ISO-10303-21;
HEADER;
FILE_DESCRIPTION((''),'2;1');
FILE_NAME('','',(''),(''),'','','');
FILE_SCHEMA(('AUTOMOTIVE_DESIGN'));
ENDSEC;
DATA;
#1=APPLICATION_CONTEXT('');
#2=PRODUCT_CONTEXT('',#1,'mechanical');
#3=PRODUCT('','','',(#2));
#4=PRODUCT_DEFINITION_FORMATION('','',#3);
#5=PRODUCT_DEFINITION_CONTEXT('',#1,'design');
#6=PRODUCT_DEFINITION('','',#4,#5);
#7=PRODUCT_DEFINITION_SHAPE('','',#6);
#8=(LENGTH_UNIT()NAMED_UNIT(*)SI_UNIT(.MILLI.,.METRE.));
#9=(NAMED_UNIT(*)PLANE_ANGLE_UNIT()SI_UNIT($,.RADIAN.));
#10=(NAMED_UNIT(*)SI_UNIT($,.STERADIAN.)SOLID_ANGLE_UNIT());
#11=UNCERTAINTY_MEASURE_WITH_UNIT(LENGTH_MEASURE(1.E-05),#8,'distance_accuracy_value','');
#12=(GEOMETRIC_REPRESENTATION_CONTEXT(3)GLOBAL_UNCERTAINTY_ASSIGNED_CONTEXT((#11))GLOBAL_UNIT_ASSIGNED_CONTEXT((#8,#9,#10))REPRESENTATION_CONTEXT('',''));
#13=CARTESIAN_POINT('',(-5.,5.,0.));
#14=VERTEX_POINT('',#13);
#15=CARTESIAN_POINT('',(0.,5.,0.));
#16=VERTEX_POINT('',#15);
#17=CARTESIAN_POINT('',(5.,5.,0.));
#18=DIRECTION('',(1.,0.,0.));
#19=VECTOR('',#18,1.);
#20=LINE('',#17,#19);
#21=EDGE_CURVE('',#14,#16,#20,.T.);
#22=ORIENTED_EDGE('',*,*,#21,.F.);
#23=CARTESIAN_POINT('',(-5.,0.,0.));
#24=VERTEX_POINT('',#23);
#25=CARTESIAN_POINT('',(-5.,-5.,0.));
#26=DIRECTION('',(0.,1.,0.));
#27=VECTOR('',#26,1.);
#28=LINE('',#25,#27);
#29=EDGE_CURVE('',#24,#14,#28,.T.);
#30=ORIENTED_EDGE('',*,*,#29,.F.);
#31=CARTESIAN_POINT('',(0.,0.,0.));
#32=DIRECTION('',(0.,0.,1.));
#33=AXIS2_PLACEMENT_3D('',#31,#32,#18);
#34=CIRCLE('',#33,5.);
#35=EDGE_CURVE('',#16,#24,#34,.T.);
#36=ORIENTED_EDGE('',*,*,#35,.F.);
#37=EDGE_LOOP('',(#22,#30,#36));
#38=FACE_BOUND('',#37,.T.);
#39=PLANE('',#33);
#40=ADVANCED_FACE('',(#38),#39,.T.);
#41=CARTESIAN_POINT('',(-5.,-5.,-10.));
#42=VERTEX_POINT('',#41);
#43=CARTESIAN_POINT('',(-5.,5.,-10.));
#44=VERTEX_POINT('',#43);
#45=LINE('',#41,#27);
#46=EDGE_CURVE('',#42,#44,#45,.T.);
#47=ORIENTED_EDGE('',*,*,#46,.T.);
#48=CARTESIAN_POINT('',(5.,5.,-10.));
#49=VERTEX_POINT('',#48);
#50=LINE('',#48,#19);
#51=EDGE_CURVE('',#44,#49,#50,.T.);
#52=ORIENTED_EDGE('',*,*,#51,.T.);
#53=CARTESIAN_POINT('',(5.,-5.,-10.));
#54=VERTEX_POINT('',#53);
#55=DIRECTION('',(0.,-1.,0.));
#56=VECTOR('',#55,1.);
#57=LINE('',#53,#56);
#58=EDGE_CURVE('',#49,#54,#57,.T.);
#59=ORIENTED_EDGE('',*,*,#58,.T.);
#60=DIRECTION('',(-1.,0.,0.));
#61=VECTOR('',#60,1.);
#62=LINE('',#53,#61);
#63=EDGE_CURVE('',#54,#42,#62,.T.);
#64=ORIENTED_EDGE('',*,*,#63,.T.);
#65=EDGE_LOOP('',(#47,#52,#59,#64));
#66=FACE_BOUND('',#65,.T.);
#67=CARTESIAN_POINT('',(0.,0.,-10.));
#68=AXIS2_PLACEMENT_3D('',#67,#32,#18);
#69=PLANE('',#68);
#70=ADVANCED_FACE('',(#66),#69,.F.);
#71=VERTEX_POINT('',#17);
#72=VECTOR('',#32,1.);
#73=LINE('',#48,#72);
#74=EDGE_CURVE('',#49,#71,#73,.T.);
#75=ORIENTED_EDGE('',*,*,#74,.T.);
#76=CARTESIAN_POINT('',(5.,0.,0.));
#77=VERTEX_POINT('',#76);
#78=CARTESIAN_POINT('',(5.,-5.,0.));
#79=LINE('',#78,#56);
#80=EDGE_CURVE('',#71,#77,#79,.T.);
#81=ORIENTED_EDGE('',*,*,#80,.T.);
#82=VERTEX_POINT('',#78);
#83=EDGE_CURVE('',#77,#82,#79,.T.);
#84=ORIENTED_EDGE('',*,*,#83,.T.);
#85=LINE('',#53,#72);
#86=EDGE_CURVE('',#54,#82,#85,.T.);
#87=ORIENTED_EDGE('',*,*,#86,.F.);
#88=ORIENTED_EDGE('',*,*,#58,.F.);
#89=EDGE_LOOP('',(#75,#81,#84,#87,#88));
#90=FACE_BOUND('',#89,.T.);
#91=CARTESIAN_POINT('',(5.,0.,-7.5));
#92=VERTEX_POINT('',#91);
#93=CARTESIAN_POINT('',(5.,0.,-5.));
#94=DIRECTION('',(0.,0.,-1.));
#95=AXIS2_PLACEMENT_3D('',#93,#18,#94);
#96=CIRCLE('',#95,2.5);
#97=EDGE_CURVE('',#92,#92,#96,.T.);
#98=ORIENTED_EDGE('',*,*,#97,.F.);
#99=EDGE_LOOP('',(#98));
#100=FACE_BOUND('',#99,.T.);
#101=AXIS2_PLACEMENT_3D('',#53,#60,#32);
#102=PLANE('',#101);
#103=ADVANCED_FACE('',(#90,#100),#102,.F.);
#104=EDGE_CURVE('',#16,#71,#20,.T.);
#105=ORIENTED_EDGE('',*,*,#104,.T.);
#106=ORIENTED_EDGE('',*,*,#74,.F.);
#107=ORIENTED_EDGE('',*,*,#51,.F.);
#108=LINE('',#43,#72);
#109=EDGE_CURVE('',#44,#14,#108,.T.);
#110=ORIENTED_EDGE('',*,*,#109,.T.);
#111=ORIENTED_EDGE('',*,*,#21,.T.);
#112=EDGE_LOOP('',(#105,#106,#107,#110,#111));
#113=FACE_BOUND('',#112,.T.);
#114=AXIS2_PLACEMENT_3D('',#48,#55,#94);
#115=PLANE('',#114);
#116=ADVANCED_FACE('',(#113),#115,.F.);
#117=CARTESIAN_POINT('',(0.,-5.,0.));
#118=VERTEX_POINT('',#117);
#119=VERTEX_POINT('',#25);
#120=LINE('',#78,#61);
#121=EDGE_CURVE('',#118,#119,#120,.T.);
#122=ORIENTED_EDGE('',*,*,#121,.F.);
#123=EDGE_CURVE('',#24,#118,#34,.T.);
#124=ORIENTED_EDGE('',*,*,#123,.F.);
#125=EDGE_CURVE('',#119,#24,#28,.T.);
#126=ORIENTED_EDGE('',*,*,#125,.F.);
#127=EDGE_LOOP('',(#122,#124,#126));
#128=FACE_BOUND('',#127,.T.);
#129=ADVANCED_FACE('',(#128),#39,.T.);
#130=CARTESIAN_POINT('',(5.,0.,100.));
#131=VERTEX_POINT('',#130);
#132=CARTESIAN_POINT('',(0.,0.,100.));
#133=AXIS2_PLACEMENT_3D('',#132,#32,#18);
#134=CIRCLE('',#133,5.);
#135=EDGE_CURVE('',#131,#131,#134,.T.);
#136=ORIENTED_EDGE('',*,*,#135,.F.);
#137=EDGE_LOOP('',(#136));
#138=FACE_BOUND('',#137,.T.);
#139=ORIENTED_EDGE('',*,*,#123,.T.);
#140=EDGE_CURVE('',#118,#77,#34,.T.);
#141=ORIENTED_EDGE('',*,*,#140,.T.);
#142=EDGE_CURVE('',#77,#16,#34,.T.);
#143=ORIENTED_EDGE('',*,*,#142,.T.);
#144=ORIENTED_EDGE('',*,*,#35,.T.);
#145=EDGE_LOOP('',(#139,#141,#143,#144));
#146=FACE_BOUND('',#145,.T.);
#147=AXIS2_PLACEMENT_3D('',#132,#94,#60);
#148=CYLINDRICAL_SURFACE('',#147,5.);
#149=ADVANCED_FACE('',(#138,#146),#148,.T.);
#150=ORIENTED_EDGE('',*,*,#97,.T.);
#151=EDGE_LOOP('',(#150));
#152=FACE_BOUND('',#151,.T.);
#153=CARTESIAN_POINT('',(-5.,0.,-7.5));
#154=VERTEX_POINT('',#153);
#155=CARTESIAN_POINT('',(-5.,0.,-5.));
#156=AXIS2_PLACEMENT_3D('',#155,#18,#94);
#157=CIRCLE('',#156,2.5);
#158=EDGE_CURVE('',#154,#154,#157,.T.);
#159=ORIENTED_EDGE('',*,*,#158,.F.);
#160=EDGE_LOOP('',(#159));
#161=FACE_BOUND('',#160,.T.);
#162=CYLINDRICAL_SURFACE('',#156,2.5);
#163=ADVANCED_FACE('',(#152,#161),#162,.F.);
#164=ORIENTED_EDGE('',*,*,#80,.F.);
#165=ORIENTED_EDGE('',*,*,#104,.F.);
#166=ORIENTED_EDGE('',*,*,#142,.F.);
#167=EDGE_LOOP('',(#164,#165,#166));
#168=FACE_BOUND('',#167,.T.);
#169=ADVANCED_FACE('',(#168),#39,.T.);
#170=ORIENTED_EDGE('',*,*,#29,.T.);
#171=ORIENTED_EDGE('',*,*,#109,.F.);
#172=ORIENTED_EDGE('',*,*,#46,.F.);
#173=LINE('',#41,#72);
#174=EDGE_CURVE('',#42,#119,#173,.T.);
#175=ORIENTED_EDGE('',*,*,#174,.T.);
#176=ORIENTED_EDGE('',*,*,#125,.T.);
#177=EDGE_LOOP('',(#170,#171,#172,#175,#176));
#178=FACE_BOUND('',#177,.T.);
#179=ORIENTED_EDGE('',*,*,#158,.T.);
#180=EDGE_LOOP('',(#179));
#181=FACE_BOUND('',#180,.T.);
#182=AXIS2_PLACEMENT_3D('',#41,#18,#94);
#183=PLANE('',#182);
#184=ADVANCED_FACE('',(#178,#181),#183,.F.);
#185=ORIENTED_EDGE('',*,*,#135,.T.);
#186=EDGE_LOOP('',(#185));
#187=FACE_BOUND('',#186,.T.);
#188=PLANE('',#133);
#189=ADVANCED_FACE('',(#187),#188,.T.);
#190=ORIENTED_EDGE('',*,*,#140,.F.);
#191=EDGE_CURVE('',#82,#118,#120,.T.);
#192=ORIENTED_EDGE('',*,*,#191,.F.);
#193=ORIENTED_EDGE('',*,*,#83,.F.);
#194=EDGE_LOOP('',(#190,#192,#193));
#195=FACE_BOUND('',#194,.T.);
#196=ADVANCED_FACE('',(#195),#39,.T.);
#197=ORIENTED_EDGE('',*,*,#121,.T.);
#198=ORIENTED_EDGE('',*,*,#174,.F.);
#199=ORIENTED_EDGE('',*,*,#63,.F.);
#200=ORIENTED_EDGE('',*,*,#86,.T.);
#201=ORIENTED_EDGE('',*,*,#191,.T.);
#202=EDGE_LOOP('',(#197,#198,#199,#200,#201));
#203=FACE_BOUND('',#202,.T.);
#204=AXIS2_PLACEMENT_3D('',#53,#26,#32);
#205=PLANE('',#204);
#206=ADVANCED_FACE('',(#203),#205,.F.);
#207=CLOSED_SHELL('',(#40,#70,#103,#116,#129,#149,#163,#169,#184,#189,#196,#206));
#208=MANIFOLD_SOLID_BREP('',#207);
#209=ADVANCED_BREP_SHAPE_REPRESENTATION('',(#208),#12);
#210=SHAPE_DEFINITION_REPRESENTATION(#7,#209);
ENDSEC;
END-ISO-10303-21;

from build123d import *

# Parameters (mm, degrees)
SKETCH_1_R          = 5
EXTRUDE_1_DEPTH     = 100
SKETCH_2_W          = 10
SKETCH_2_H          = 10
EXTRUDE_2_DEPTH     = 10
SKETCH_3_R          = 2.5
CUT_EXTRUDE_1_DEPTH = 101.623058987


with BuildPart() as part:
    # 草图1 → 凸台-拉伸1 (new body)
    with BuildSketch(Plane.XY):
        Circle(SKETCH_1_R)
    extrude(amount=EXTRUDE_1_DEPTH)

    # 草图2 → 凸台-拉伸2 (add)
    with BuildSketch(Plane(origin=(0, 0, 0), x_dir=(-1, 0, 0), z_dir=(0, 0, -1))):
        Rectangle(SKETCH_2_W, SKETCH_2_H)
    extrude(amount=EXTRUDE_2_DEPTH)

    # 草图3 → 切除-拉伸1 (cut, through all)
    with BuildSketch(Plane(origin=(5, 0, 0), x_dir=(0, 0, -1), z_dir=(1, 0, 0))):
        with Locations((5, 0)):
            Circle(SKETCH_3_R)
    extrude(amount=-CUT_EXTRUDE_1_DEPTH, mode=Mode.SUBTRACT)


solid = part.part
